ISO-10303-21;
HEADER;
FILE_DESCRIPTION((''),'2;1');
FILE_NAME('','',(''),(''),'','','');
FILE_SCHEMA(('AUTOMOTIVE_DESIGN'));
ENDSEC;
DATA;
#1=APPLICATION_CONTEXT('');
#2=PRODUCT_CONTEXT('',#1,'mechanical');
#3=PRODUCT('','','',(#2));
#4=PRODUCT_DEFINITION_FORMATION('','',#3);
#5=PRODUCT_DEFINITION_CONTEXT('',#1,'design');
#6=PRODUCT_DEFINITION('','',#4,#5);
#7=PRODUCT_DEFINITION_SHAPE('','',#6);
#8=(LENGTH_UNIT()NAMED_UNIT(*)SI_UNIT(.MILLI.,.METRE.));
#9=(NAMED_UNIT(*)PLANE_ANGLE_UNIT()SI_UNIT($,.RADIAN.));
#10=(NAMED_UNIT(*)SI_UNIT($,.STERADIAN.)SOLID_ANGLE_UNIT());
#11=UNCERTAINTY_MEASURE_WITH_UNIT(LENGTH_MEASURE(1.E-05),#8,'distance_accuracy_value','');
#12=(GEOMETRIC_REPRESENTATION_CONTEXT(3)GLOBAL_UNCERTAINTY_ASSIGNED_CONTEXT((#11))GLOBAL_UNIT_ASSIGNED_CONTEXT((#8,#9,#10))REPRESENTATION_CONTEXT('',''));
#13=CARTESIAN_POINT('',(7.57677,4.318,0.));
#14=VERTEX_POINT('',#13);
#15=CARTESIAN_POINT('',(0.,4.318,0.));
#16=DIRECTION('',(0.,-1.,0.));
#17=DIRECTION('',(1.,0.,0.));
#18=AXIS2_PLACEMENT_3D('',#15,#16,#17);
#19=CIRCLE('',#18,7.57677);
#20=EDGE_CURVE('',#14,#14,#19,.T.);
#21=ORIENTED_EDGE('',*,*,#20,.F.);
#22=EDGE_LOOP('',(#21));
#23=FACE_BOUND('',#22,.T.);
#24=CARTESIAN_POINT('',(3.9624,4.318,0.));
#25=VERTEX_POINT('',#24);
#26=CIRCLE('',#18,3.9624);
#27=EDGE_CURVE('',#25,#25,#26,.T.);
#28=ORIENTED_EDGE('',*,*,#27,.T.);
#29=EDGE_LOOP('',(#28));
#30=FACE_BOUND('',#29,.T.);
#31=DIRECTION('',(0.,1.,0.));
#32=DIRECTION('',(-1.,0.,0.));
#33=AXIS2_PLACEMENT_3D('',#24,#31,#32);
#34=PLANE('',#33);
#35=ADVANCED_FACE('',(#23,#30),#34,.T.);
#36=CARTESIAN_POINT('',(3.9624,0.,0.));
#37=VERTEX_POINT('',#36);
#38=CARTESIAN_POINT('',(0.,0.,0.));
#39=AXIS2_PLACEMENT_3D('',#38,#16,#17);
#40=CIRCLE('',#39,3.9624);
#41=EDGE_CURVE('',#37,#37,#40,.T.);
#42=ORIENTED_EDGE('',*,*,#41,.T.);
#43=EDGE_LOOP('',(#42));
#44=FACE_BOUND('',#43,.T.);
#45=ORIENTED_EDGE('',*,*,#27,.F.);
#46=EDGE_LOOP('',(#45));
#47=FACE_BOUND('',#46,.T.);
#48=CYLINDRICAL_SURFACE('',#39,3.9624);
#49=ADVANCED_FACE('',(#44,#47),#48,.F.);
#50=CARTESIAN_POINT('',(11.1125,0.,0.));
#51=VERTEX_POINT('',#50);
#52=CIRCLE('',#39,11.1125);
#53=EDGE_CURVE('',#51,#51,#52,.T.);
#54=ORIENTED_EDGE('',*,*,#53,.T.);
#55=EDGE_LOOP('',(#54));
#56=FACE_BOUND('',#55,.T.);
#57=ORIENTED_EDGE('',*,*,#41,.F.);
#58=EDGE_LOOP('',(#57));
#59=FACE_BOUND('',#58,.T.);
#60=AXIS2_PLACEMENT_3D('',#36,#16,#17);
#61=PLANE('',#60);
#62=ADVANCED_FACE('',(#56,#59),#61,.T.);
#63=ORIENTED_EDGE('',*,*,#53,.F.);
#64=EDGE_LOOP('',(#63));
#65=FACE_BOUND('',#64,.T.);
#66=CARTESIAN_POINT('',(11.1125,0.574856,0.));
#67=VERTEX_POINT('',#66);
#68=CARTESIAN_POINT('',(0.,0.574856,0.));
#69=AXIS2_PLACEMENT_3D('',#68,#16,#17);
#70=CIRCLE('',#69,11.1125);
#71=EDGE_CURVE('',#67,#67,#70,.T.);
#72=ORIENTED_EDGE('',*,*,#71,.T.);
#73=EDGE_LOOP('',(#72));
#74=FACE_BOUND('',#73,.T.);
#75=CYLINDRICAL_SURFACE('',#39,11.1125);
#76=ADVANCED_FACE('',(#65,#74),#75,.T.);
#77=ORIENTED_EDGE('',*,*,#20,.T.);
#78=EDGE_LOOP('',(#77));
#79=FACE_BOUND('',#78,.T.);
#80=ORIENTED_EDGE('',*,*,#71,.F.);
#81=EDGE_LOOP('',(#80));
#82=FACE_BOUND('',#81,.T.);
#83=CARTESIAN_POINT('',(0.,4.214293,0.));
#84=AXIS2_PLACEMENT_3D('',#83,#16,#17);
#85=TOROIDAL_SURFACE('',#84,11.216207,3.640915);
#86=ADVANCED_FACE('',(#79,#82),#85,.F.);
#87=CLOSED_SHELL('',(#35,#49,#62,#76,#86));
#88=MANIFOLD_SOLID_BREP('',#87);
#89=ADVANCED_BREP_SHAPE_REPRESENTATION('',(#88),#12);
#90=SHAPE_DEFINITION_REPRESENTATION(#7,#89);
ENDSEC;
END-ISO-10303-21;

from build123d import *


with BuildPart() as part:
    # Sketch1 → Revolve1 (revolve)
    with BuildSketch(Plane.XY):
        with BuildLine():
            Line((3.9624, 4.318), (3.9624, 0))
            Line((3.9624, 0), (11.1125, 0))
            Line((11.1125, 0), (11.1125, 0.574855587))
            ThreePointArc((11.1125, 0.574855587), (8.569404287, 1.714154084), (7.576769755, 4.318))
            Line((7.576769755, 4.318), (3.9624, 4.318))
        make_face()
    revolve(axis=Axis((0, 0, 0), (0, 1, 0)))


solid = part.part
